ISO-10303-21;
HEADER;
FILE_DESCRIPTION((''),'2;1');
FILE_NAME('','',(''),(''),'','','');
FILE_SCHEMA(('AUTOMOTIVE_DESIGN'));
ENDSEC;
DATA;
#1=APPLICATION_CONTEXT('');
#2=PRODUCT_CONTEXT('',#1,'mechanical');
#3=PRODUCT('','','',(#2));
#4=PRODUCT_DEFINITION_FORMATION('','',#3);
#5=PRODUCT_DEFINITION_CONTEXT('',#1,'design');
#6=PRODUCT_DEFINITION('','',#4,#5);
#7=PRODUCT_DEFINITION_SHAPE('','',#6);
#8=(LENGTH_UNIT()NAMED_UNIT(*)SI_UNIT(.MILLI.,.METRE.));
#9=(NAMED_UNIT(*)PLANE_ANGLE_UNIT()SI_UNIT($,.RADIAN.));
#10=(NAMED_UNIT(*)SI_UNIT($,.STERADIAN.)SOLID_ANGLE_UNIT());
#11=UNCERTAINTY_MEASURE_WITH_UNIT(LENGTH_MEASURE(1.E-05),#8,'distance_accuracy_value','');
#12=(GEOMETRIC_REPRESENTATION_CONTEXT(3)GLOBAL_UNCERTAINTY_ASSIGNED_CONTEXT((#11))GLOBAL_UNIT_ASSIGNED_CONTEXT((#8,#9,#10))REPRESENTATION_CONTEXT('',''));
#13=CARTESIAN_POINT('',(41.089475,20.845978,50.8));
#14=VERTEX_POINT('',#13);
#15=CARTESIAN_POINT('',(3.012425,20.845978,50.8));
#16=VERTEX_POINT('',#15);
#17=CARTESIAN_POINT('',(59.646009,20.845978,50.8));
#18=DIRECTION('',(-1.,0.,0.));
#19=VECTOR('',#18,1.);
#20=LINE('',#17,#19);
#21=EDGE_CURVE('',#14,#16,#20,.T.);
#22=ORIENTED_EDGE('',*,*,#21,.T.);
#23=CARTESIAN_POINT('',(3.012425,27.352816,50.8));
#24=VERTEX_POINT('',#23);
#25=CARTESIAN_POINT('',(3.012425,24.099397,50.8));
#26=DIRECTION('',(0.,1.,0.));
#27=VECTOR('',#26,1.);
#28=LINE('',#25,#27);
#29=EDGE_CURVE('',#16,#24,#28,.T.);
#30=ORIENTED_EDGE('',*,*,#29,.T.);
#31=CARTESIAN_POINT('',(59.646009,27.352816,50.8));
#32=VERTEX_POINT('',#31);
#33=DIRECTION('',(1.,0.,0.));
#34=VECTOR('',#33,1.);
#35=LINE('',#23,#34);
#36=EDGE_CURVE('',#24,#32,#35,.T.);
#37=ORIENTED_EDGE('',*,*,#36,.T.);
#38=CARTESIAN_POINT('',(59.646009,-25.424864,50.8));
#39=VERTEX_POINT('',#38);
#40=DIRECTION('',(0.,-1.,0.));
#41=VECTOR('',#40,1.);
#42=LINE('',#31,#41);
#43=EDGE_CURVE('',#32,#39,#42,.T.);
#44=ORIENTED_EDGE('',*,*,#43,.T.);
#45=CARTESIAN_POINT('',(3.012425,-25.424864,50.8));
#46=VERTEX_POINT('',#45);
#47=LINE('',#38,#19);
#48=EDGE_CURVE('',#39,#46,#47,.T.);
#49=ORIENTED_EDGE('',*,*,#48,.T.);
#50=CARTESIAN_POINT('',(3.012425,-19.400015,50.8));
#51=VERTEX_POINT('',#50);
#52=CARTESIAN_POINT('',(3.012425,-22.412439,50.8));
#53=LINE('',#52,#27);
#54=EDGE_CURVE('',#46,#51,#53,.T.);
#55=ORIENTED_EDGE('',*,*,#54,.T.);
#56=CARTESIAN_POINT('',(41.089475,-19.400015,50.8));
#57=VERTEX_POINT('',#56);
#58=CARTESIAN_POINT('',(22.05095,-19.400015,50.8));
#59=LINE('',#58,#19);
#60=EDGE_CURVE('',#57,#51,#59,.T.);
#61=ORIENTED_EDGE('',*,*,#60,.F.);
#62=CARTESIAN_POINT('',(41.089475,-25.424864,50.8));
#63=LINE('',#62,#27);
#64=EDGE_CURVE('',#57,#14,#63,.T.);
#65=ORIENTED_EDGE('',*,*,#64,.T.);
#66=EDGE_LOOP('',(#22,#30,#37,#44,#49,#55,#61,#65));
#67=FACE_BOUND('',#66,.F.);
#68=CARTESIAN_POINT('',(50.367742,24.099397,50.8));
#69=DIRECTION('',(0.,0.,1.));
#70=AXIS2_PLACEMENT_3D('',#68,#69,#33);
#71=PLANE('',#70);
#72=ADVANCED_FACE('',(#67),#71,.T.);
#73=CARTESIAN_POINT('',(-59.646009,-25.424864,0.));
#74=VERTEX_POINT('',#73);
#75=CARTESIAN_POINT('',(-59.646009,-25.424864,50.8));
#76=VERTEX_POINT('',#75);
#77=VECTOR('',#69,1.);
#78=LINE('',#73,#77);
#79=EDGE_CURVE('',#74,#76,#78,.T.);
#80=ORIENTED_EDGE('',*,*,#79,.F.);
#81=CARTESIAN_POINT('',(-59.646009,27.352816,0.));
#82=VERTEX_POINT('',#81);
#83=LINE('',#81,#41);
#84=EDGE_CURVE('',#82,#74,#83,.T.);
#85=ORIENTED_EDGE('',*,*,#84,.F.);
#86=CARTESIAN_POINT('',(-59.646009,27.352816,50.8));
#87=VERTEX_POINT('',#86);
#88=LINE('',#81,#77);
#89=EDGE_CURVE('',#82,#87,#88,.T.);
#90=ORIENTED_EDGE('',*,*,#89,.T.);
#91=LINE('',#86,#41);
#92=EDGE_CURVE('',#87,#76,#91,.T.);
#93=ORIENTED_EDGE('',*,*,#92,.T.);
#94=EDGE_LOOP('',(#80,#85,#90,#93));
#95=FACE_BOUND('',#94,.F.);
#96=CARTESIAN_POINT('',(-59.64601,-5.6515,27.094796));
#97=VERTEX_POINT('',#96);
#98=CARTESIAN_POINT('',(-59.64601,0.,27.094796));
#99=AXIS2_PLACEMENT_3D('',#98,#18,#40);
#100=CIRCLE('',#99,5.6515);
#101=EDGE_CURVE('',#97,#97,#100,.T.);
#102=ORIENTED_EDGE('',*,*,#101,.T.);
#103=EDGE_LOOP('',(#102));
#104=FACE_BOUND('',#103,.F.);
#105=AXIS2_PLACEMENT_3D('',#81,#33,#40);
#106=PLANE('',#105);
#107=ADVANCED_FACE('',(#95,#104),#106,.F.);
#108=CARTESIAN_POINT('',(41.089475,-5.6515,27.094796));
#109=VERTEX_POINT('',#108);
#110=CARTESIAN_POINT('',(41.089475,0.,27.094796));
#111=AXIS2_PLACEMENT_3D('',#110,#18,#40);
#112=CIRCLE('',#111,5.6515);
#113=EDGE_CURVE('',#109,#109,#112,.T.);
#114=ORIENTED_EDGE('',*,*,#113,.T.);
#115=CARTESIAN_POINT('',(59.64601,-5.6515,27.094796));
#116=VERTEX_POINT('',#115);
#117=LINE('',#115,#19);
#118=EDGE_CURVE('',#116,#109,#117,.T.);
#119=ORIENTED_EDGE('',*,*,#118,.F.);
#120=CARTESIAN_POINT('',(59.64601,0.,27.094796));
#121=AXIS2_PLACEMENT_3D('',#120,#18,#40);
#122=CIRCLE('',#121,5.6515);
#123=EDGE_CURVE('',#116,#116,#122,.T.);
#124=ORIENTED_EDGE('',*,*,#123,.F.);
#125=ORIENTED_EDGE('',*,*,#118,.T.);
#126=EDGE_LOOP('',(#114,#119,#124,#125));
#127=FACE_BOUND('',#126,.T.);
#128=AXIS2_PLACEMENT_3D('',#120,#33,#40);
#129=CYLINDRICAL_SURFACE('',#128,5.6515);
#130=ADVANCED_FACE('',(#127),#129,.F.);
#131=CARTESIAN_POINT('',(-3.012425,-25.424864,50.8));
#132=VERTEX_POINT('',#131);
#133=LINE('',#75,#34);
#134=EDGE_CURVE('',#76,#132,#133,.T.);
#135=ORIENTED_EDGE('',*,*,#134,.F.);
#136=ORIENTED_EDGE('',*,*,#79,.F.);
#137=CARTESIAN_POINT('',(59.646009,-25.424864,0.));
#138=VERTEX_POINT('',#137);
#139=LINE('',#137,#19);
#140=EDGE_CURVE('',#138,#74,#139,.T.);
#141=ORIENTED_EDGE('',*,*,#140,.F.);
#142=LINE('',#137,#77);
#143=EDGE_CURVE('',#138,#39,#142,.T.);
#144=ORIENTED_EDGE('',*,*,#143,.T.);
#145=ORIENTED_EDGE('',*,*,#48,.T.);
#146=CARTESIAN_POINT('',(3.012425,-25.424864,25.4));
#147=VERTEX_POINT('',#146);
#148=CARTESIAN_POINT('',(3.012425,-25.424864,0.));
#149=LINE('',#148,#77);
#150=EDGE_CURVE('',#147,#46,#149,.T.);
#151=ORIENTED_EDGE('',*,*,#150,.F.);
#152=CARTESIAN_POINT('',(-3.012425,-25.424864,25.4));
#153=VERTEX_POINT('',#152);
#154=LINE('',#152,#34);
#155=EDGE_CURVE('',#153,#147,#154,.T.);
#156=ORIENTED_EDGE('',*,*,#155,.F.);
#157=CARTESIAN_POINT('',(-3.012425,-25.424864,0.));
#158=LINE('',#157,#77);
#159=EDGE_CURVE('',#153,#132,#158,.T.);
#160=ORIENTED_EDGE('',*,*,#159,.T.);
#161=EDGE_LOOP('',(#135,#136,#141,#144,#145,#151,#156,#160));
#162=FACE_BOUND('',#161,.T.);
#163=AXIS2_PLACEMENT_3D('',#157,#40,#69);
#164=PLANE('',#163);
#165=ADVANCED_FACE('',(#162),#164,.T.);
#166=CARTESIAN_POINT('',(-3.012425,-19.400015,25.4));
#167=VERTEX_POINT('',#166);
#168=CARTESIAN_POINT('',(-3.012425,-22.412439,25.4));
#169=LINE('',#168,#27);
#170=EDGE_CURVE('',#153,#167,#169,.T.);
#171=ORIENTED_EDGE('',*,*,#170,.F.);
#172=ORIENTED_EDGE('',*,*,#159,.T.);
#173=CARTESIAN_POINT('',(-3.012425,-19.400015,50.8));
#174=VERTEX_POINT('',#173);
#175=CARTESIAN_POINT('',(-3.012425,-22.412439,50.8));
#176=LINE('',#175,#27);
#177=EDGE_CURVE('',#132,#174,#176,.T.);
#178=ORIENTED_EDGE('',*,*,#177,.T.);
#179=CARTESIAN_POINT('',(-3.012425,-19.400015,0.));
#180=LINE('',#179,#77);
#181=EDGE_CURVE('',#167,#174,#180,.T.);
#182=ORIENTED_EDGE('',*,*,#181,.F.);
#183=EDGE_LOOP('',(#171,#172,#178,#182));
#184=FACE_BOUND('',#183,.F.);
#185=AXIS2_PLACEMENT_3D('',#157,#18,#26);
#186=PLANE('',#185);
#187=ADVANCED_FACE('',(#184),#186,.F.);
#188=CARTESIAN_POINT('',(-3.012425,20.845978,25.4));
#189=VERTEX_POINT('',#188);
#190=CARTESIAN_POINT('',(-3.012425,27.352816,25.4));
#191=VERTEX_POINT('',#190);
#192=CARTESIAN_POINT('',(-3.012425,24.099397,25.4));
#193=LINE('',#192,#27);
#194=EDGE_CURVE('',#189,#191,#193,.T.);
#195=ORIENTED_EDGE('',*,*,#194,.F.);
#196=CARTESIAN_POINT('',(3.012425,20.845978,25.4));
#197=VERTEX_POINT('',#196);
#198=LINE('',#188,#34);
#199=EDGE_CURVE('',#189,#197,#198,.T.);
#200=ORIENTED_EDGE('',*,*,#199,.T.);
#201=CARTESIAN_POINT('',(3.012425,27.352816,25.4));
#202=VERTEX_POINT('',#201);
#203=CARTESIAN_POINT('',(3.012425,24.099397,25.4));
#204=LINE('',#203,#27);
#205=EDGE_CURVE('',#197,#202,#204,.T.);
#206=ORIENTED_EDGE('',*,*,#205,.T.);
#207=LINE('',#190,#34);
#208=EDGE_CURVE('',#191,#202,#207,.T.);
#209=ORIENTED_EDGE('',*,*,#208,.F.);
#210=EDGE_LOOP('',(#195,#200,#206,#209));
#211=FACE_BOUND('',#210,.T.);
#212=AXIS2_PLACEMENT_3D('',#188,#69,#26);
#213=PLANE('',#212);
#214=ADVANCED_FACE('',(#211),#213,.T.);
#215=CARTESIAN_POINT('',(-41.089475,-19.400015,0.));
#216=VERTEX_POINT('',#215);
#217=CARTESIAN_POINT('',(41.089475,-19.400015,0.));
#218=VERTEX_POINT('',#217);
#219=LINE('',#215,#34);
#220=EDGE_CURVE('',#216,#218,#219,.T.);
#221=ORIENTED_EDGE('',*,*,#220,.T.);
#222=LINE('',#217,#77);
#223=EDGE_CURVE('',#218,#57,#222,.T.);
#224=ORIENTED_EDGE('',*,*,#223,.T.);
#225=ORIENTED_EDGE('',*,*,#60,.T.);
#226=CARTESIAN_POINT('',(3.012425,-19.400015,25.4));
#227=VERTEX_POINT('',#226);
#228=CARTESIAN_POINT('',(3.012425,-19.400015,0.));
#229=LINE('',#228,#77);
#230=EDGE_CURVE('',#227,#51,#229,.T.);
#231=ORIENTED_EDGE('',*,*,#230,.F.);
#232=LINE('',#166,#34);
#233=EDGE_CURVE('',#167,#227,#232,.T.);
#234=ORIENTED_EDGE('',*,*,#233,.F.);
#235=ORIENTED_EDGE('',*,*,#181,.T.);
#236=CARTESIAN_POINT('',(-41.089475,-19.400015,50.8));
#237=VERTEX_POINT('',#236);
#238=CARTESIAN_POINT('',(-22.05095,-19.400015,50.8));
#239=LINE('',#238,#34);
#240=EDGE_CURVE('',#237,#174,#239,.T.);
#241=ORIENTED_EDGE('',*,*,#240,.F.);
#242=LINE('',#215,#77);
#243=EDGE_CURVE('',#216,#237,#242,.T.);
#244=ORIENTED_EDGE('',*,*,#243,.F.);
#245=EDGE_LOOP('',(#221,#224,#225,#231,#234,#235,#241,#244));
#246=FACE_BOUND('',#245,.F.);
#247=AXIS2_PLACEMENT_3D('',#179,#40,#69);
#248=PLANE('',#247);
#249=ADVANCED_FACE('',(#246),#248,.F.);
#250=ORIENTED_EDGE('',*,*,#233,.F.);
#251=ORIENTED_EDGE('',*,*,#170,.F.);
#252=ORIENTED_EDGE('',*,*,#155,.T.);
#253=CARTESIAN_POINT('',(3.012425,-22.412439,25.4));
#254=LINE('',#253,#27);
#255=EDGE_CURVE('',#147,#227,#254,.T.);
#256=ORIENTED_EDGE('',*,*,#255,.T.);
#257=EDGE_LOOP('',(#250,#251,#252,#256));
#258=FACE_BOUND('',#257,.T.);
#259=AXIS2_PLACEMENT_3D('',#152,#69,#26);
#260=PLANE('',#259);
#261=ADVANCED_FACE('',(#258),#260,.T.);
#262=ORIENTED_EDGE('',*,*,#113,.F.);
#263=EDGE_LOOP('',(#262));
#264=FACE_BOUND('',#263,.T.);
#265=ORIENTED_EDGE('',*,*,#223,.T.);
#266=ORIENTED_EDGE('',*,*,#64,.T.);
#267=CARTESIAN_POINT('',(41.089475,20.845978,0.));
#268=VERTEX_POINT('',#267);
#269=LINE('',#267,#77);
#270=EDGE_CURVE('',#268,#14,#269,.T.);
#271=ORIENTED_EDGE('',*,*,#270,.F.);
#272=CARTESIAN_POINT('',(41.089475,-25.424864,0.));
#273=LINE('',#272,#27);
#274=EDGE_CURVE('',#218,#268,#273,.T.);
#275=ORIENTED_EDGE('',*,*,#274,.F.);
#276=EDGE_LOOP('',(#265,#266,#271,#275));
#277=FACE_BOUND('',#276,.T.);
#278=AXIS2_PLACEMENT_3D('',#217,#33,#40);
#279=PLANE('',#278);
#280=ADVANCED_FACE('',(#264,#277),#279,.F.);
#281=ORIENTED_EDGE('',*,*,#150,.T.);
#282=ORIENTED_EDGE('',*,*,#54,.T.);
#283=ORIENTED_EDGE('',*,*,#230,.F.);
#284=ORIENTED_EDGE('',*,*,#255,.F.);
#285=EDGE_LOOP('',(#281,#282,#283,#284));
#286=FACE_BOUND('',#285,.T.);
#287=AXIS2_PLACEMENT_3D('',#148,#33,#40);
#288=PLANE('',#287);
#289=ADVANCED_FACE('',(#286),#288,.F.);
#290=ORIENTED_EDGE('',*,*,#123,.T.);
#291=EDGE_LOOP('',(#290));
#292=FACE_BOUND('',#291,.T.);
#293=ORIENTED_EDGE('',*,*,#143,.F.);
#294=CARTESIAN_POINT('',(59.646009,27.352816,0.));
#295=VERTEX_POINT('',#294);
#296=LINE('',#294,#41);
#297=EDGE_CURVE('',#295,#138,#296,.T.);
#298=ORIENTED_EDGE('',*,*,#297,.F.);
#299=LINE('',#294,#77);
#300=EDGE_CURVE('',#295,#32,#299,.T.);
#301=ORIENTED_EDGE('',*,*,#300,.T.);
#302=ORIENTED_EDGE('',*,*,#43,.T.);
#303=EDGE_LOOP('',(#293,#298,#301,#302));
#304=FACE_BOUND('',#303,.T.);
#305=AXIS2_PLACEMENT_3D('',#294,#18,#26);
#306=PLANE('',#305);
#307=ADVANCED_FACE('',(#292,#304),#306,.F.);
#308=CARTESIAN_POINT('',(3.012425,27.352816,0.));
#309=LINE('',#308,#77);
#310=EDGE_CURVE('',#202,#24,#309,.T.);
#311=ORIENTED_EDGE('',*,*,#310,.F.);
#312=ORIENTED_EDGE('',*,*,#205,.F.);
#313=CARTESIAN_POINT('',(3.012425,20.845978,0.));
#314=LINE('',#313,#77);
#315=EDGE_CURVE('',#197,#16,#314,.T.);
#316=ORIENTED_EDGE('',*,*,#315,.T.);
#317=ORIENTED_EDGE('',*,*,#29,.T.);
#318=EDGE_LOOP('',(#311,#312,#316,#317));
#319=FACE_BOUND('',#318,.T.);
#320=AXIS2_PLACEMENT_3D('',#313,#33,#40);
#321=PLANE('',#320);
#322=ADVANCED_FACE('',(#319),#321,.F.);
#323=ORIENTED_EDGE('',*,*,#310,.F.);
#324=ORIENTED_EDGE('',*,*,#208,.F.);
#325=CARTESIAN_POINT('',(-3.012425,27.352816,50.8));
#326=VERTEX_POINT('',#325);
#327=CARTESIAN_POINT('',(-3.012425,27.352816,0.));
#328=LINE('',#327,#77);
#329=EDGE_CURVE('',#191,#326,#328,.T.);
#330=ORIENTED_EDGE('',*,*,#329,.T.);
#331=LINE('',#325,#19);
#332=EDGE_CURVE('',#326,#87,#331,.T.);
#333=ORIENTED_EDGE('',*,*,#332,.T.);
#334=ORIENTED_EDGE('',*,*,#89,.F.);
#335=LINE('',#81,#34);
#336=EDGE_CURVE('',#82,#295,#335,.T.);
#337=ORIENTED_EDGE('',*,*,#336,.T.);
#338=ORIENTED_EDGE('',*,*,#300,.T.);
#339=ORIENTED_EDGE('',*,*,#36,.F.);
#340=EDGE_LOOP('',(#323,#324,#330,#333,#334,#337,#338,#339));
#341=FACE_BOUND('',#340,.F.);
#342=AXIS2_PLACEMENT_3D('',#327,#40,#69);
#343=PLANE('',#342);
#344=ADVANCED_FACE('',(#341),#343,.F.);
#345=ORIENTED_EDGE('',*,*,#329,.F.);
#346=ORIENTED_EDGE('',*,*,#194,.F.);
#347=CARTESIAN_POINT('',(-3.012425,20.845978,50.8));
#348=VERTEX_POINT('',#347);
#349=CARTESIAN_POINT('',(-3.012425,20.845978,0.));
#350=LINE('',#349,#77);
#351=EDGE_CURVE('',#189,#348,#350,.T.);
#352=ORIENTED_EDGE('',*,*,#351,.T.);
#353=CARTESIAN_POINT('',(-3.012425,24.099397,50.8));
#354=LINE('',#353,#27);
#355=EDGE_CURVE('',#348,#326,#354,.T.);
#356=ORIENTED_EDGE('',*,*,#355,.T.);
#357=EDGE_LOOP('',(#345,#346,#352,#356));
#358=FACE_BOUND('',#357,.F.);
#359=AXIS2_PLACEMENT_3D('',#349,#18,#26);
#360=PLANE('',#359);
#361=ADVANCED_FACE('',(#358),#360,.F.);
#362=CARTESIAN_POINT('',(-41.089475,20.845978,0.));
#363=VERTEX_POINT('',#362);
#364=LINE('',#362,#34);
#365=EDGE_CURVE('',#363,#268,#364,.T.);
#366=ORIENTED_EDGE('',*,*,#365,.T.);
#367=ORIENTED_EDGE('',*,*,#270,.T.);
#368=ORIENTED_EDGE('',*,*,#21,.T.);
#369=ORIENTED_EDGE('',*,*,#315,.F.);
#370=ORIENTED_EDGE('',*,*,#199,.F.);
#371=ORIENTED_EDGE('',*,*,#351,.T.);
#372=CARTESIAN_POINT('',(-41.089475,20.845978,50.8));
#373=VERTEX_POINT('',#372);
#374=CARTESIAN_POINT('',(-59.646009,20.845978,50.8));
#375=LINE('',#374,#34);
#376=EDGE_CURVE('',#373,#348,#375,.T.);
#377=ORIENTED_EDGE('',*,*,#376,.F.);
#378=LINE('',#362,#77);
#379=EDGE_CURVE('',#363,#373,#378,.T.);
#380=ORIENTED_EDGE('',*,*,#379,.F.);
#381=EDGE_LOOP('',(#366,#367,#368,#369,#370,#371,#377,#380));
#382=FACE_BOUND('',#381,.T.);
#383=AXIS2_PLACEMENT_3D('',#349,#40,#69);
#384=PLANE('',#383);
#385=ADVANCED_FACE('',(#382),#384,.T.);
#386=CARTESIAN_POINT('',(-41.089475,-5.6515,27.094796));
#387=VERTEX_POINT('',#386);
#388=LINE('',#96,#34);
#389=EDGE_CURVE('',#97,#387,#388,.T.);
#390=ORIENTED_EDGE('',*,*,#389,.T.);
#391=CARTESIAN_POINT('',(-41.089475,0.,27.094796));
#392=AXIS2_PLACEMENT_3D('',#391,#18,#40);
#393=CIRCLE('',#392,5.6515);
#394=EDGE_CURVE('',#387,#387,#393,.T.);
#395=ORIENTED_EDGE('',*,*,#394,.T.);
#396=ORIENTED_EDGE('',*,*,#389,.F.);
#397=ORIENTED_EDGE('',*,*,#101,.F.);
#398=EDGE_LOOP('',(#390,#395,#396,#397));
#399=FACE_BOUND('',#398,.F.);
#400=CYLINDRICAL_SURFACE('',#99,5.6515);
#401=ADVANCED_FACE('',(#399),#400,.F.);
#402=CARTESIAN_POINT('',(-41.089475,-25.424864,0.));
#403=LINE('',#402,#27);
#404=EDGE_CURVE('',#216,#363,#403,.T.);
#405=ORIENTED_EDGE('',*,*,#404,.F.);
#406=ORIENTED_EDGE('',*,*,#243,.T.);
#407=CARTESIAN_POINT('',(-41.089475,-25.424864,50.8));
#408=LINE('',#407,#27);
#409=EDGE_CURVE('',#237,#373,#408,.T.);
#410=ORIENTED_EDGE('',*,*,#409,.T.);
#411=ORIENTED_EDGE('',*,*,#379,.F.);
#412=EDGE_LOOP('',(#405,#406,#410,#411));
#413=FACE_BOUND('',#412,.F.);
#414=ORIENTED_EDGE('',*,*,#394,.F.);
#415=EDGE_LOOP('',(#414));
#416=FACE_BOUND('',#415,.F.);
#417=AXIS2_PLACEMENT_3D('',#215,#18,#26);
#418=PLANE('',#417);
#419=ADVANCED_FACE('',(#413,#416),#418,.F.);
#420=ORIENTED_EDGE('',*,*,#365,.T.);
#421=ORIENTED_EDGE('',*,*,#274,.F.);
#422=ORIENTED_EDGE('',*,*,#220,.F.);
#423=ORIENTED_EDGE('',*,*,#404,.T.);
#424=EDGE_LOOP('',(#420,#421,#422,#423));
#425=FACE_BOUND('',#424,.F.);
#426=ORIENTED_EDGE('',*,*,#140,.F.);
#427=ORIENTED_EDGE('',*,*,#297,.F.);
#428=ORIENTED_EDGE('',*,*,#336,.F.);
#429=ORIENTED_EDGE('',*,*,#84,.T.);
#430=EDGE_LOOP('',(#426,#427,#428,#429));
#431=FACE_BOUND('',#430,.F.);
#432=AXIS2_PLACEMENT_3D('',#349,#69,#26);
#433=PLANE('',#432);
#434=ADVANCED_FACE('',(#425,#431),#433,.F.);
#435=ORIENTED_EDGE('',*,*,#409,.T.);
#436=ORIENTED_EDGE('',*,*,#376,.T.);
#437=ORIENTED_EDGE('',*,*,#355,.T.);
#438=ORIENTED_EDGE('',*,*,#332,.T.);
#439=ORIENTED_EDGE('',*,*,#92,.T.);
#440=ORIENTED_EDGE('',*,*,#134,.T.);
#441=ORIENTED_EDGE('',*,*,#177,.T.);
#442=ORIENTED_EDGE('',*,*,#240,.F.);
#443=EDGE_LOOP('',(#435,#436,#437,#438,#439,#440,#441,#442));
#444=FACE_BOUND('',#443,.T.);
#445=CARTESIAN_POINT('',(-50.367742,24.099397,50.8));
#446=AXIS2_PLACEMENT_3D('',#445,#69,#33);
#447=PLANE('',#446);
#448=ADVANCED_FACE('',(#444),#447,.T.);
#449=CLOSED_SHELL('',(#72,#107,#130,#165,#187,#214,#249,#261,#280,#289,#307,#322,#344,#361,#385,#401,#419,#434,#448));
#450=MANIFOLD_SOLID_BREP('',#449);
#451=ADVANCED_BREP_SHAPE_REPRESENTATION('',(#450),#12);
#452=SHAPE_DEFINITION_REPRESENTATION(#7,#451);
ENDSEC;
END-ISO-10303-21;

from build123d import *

# Parameters (mm, degrees)
F0_W     = 18.556535
F0_H     = 6.506839
F0_W_2   = 38.07705
F0_H_2   = 40.245993
F0_H_3   = 6.024849
F1_DEPTH = 50.8
F2_R     = 5.6515
F3_DEPTH = 170.688
F4_W     = 6.024849
F4_H     = 25.4
F5_DEPTH = 25.4
F6_W     = 6.506839
F6_H     = 25.4
F7_DEPTH = 25.4


with BuildPart() as f1:
    # F0 (on Top) → F1 (new body)
    with BuildSketch(Plane.XY):
        with Locations((-50.367742, 24.099397)):
            Rectangle(F0_W, F0_H)
        with Locations((-22.05095, 24.099397)):
            Rectangle(F0_W_2, F0_H)
        with Locations((-50.367742, 0.722981)):
            Rectangle(F0_W, F0_H_2)
        with Locations((-50.367742, -22.412439)):
            Rectangle(F0_W, F0_H_3)
        with Locations((-22.05095, -22.412439)):
            Rectangle(F0_W_2, F0_H_3)
    extrude(amount=F1_DEPTH)

    # F2 (on face) → F3 (cut)
    with BuildSketch(Plane(origin=(-59.64601, 0, 0), x_dir=(0, -1, 0), z_dir=(-1, 0, 0))):
        with Locations((0, 27.094796)):
            Circle(F2_R)
    extrude(amount=-F3_DEPTH, mode=Mode.SUBTRACT)

    # F4 (on face) → F5 (join)
    with BuildSketch(Plane.YZ.offset(-3.012425)):
        with Locations((-22.412439, 12.7)):
            Rectangle(F4_W, F4_H)
    extrude(amount=F5_DEPTH)

    # F6 (on face) → F7 (join)
    with BuildSketch(Plane.YZ.offset(-3.012425)):
        with Locations((24.099397, 12.7)):
            Rectangle(F6_W, F6_H)
    extrude(amount=F7_DEPTH)

    # F8: F1 across plane


with BuildPart() as f1_1:
    add(f1.part)
    add(f1.part.mirror(Plane.YZ))


solid = f1_1.part
